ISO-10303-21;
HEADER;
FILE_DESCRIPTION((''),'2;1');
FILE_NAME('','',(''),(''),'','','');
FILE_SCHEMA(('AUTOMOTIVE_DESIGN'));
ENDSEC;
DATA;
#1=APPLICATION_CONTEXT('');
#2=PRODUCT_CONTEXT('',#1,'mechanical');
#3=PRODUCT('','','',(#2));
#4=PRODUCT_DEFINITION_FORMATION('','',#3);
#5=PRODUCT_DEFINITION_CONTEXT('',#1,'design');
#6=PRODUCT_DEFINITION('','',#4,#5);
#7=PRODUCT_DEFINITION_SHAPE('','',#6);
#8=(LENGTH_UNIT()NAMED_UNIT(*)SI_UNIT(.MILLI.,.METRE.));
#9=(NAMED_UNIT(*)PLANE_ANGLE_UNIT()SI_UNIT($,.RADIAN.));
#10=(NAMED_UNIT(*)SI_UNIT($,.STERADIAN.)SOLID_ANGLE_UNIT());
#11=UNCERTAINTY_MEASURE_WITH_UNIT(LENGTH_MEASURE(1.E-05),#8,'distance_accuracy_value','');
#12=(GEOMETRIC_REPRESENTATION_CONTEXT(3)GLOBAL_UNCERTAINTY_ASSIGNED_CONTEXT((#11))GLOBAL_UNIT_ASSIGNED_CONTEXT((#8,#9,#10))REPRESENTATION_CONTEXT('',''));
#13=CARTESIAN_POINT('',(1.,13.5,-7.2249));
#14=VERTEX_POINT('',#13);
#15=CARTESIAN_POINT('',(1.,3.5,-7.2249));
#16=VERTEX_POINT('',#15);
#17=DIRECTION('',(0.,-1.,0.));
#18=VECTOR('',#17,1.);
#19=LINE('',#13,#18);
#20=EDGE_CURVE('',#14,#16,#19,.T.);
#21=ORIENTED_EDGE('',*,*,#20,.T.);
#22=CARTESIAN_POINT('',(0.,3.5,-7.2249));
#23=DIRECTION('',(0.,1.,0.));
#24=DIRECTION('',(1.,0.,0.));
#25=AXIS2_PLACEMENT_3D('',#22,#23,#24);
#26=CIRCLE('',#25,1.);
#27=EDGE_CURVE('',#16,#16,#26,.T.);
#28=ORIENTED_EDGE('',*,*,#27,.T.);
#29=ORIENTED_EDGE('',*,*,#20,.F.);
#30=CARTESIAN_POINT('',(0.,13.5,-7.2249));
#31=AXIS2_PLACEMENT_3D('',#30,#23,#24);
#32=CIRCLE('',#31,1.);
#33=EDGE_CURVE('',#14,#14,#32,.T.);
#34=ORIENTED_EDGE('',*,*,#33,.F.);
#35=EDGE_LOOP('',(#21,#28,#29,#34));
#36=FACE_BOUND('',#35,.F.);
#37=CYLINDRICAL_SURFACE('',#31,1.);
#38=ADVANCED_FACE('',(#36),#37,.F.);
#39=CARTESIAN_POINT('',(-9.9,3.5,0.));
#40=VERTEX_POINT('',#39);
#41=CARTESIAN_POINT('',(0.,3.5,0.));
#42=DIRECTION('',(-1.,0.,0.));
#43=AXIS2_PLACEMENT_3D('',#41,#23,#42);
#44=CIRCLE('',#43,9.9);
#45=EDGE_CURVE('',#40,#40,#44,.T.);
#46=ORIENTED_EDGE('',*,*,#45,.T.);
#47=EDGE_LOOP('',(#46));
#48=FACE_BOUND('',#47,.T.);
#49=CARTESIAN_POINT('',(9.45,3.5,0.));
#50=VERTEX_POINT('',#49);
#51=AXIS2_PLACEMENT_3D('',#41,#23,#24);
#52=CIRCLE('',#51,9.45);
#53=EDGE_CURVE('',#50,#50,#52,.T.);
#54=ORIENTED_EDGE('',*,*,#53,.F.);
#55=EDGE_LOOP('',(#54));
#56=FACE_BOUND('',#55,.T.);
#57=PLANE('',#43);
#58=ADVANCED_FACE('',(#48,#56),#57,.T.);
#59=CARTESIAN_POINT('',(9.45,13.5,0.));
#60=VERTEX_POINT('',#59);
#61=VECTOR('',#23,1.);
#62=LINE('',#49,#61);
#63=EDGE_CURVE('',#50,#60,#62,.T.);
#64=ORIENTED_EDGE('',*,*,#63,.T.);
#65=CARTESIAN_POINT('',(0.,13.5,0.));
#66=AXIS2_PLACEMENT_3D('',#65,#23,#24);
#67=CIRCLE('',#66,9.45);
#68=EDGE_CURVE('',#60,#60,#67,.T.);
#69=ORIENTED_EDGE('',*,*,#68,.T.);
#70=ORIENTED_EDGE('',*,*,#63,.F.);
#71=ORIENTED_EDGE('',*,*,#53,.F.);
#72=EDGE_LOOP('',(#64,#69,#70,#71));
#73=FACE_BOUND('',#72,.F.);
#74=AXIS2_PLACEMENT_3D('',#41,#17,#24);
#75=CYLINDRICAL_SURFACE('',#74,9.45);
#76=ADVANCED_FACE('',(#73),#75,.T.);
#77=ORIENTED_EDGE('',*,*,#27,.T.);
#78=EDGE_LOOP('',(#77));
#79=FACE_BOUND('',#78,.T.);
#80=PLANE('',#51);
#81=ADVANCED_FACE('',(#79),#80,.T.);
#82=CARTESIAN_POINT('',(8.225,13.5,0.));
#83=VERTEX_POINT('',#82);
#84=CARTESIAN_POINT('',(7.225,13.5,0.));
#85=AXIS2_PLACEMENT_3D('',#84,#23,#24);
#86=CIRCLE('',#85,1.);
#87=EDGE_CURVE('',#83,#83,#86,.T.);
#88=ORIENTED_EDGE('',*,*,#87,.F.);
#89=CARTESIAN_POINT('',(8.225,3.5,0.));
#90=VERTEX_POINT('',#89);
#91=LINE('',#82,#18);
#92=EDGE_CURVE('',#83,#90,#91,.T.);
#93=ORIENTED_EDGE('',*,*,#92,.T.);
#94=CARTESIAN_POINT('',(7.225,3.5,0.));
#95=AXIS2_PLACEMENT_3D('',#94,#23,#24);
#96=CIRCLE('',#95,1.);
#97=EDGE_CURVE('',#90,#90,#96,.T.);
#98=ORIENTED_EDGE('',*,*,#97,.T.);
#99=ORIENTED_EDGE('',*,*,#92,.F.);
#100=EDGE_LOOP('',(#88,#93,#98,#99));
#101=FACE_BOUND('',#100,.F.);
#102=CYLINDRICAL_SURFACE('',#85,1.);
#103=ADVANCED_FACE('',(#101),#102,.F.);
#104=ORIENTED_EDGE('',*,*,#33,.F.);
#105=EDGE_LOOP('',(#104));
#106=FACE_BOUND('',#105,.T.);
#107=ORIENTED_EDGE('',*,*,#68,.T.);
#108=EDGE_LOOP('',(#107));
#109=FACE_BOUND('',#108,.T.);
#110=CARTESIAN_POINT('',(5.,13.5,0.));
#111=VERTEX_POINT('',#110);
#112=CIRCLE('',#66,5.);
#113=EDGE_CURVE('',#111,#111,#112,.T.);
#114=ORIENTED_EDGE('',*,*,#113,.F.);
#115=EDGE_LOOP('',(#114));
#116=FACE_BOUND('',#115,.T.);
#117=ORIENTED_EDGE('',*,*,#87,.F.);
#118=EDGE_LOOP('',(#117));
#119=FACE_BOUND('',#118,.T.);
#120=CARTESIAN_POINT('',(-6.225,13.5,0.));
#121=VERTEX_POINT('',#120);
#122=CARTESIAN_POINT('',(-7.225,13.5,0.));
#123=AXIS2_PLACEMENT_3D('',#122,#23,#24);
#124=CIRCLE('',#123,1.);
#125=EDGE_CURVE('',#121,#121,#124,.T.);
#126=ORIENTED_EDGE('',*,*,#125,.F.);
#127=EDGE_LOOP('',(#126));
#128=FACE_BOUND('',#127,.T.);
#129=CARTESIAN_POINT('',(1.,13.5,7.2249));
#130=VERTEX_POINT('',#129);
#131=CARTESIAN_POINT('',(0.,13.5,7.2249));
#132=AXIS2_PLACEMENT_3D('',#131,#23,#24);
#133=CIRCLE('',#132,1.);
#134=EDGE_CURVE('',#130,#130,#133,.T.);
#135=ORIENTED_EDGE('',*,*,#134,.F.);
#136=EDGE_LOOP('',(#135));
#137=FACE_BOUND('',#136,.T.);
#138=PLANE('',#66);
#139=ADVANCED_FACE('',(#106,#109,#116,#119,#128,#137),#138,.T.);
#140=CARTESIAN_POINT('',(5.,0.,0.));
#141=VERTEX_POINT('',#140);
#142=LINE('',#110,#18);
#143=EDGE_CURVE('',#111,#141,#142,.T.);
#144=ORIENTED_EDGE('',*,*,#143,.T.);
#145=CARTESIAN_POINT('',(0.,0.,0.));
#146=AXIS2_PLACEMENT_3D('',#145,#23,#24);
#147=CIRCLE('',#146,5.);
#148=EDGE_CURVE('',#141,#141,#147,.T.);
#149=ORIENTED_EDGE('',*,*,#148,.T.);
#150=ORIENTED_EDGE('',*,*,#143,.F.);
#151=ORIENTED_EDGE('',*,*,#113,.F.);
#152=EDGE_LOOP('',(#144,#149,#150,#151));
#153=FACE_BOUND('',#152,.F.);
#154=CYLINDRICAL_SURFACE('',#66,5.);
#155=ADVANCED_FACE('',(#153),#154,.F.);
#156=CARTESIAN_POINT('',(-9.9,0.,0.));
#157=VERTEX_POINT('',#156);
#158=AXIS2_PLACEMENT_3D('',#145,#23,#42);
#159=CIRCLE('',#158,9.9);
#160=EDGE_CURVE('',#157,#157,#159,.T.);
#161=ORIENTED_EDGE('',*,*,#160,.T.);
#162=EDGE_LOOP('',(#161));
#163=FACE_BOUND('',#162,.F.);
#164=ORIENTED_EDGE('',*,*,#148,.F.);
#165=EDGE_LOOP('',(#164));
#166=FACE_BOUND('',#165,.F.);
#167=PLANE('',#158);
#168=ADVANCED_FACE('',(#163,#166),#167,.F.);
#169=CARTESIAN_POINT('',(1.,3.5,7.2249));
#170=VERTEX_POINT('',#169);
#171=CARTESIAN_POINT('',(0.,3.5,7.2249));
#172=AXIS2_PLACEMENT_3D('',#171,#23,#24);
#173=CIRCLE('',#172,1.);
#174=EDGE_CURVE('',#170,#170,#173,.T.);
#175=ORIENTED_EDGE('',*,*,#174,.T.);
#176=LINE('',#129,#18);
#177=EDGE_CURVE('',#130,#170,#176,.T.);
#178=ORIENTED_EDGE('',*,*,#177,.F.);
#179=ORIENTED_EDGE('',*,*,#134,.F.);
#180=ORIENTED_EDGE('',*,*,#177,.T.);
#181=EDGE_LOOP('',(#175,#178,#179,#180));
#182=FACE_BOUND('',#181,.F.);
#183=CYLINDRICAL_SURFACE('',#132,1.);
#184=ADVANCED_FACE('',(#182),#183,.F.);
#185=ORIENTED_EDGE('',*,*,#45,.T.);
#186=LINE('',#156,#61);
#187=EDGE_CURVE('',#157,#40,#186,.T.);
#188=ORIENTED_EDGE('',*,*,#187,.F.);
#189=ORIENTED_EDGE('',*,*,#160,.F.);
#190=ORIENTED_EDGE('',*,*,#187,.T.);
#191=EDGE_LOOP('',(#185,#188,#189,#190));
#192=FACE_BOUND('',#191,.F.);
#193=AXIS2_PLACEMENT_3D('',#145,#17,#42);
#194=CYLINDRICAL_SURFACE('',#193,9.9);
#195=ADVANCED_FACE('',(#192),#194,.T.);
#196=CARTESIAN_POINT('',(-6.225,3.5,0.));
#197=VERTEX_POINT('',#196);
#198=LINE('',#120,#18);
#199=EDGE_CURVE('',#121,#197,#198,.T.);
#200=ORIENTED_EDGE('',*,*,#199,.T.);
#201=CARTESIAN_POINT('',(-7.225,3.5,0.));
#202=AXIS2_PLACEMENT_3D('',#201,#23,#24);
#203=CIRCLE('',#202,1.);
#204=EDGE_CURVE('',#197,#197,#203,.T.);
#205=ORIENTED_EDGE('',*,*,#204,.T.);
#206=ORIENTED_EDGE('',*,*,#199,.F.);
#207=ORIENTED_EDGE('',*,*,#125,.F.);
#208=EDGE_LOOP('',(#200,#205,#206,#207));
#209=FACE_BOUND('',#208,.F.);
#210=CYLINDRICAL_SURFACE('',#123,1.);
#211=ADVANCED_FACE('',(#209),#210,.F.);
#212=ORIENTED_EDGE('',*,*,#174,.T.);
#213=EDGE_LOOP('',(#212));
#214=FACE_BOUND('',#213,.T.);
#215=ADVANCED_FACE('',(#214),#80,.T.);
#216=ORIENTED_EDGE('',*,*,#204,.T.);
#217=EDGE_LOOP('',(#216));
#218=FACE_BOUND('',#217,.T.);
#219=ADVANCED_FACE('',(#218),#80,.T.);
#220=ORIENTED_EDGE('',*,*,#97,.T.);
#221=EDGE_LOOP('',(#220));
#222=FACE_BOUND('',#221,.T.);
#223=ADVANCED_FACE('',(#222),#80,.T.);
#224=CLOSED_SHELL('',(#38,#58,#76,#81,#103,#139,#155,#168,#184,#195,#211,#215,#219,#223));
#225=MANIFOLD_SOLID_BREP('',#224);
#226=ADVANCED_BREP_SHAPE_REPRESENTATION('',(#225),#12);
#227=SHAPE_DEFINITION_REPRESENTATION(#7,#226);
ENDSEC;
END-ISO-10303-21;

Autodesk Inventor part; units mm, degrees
ref_plane "YZ Plane" through (0, 0, 0) normal (1, 0, 0) x (0, 1, 0)
ref_plane "XZ Plane" through (0, 0, 0) normal (0, 1, 0) x (-1, 0, 0)
ref_plane "XY Plane" through (0, 0, 0) normal (0, 0, 1) x (1, 0, 0)
sketch "Boceto1" plane through (0, 0, 0) normal (0, 1, 0) x (-1, 0, 0)
  circle A0 centre (0, 0) radius 9.9
  dimension "d0" = 19.8
extrude "Extrusión1" add sketch "Boceto1" along normal blind 3.5
sketch "Boceto2" plane through (0, 3.5, 0) normal (0, 1, 0) x (1, 0, 0)
  circle A0 centre (0, 0) radius 9.45
  dimension "d3" = 18.9
extrude "Extrusión2" add sketch "Boceto2" along normal blind 10
sketch "Boceto3" plane through (0, 13.5, 0) normal (0, 1, 0) x (1, 0, 0)
  circle A0 centre (0, 0) radius 5
  dimension "d6" = 10
extrude "Extrusión3" cut sketch "Boceto3" against normal through all
sketch "Boceto4" plane through (0, 13.5, 0) normal (0, 1, 0) x (1, 0, 0)
  circle A0 centre (0, 0) radius 9.45 projected
  circle A1 centre (0, -7.2249) radius 1
  circle A2 centre (0, 7.2249) radius 1
  circle A3 centre (0, 0) radius 5 projected
  circle A4 centre (7.225, 0) radius 1
  circle A5 centre (-7.225, 0) radius 1
  dimension "d9" = 2
  dimension "d10" = 2
extrude "Extrusión4" cut sketch "Boceto4" against normal blind 10 contours A1 | A2 | A4 | A5
properties part number "EejeV2"
